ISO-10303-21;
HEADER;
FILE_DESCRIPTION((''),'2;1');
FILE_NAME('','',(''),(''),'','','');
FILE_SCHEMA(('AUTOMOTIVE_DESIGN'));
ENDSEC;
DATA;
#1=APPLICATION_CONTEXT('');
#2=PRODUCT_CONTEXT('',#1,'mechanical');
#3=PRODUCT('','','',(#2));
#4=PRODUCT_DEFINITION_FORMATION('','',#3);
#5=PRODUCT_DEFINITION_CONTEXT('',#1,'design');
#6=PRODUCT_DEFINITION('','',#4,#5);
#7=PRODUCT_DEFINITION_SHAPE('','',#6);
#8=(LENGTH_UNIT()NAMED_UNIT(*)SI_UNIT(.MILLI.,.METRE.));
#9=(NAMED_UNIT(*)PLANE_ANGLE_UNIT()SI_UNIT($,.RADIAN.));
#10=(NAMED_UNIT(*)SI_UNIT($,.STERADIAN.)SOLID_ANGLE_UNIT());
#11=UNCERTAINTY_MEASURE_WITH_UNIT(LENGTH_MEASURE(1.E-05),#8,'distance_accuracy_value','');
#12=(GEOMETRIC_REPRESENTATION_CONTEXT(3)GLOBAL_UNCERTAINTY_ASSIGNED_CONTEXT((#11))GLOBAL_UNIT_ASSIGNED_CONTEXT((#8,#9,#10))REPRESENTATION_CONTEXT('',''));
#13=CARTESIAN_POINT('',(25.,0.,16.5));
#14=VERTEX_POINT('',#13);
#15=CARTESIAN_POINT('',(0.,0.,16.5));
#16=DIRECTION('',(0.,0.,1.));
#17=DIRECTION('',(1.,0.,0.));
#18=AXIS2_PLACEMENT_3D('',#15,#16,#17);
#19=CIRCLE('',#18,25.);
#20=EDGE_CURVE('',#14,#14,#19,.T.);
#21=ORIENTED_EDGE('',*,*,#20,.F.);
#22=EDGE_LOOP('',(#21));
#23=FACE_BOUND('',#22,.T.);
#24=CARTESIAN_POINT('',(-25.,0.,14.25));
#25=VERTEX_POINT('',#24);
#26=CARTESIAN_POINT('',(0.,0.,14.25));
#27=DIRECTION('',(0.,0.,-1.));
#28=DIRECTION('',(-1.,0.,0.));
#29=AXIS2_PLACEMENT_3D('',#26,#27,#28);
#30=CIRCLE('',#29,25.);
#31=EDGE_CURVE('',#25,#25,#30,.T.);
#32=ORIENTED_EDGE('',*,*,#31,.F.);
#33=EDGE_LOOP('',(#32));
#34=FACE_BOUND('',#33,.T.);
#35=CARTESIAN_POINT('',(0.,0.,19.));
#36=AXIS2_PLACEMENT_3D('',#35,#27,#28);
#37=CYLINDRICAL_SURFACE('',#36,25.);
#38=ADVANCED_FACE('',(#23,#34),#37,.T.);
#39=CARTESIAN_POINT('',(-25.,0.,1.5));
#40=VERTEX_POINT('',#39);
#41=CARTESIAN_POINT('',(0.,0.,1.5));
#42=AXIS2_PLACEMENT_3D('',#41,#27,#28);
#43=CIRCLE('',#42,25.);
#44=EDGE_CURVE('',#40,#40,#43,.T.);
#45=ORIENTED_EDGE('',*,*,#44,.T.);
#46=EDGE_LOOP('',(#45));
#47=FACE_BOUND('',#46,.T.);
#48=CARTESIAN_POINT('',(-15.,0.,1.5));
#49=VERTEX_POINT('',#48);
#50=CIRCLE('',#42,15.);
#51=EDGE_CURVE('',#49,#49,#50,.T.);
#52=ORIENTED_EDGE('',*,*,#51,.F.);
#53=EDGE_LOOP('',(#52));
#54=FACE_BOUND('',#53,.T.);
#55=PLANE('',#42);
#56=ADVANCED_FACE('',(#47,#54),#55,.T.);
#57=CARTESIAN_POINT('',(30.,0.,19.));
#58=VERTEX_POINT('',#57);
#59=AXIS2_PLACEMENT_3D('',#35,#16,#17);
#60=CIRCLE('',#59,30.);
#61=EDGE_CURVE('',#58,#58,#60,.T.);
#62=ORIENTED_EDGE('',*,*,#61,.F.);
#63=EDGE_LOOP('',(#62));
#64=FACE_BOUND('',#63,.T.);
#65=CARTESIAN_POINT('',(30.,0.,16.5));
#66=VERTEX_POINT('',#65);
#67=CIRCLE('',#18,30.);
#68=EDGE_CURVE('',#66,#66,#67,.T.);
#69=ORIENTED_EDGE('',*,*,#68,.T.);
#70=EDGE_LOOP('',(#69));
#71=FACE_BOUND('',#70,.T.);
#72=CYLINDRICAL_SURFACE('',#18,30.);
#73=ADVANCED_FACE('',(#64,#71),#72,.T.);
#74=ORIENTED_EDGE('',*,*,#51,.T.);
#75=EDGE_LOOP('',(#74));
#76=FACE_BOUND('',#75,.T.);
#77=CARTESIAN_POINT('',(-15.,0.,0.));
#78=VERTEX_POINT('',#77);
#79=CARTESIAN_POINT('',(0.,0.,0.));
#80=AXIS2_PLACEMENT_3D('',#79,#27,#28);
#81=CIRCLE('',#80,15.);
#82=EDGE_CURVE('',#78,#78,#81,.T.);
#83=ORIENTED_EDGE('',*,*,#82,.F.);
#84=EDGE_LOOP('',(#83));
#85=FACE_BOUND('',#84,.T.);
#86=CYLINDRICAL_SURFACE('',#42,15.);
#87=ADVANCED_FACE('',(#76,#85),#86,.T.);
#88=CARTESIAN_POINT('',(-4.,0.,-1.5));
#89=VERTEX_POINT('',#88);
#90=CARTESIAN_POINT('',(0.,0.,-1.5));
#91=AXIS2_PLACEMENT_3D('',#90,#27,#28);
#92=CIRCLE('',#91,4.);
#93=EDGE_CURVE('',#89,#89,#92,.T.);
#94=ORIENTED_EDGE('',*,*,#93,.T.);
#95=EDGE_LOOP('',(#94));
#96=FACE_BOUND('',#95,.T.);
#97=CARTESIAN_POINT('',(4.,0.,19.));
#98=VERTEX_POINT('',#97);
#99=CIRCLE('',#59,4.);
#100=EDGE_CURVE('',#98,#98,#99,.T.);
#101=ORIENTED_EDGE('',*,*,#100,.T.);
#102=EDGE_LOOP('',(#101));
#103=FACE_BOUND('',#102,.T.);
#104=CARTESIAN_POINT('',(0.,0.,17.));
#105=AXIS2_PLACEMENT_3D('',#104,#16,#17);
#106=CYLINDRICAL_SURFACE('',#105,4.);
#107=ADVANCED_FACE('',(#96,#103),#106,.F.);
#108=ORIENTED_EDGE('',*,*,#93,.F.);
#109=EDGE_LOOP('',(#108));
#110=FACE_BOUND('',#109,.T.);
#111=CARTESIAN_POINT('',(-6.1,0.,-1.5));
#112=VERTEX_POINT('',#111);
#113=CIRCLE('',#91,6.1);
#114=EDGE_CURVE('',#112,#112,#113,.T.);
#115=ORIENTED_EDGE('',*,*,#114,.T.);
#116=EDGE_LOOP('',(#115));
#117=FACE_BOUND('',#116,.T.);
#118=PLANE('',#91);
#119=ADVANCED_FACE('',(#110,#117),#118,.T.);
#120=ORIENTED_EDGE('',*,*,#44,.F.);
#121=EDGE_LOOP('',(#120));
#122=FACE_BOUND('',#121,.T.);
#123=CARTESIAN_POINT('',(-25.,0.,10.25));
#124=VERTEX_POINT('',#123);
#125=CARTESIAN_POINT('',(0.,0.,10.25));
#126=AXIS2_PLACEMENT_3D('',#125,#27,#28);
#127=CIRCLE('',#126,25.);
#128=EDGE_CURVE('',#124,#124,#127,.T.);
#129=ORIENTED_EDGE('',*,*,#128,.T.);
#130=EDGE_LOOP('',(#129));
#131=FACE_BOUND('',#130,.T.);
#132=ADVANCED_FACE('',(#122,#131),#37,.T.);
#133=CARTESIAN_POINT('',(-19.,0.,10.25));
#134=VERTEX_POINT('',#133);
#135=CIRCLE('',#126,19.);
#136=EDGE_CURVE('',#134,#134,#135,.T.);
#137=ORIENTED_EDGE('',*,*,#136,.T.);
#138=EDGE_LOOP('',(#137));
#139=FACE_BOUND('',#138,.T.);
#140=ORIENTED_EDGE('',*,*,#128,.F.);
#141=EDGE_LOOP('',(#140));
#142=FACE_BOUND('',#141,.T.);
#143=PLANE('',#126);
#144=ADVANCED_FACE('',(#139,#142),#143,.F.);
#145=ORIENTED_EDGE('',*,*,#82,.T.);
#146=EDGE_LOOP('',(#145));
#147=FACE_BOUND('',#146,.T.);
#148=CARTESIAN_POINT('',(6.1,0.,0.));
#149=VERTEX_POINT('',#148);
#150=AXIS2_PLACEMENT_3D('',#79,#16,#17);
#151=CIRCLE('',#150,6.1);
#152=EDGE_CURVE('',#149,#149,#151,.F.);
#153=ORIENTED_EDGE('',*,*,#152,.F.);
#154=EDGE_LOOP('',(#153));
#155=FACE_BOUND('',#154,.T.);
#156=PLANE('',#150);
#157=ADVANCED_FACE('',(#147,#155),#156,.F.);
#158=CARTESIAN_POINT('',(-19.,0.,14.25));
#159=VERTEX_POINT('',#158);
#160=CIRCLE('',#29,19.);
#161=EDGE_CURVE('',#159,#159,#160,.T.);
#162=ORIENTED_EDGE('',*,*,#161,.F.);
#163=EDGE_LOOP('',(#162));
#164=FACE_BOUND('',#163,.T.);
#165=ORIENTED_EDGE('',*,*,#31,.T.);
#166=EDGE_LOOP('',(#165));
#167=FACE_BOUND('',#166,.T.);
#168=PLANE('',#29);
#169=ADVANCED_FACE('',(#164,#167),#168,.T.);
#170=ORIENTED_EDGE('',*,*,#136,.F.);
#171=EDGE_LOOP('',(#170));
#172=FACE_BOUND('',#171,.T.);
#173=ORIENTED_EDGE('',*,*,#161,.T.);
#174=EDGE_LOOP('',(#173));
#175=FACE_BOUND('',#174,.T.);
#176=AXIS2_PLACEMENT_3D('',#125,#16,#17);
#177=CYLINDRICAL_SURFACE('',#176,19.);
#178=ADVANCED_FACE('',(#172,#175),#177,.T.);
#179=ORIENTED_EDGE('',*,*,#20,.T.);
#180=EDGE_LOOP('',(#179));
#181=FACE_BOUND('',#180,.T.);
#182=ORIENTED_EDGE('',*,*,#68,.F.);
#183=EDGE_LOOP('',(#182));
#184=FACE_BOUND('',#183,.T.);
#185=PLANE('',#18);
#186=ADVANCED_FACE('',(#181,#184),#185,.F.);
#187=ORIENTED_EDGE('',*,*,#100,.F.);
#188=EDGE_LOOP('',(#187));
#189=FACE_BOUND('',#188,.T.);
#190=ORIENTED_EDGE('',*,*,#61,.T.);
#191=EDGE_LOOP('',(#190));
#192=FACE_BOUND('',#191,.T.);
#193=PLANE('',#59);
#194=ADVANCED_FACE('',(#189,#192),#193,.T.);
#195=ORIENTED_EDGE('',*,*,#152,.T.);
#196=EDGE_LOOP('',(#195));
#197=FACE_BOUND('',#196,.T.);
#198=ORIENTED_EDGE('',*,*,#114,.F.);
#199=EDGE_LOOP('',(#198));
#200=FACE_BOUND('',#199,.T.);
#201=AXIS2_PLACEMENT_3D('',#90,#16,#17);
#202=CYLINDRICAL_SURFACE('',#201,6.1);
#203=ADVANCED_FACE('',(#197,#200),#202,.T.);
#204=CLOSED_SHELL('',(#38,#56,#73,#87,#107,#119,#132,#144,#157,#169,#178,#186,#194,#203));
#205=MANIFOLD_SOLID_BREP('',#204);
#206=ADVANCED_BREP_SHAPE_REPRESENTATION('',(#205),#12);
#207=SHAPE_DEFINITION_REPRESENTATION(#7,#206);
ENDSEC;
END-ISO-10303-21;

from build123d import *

# Parameters (mm, degrees)
CROQUIS1_R              = 25
CROQUIS1_R_2            = 11
SALIENTE_EXTRUIR1_DEPTH = 19
CROQUIS3_R              = 11
CROQUIS3_R_2            = 9.5
SALIENTE_EXTRUIR2_DEPTH = 13
SALIENTE_EXTRUIR3_START = -2
CROQUIS4_R              = 11
CROQUIS4_R_2            = 4
SALIENTE_EXTRUIR3_DEPTH = 2
SALIENTE_EXTRUIR4_START = -2.5
CROQUIS5_R              = 30
CROQUIS5_R_2            = 25
SALIENTE_EXTRUIR4_DEPTH = 2.5
CORTAR_EXTRUIR1_START   = 4
CROQUIS6_R              = 25
CROQUIS6_R_2            = 19
CORTAR_EXTRUIR1_DEPTH   = 4
SALIENTE_EXTRUIR5_REACH = 48.487
CROQUIS7_R              = 11
CROQUIS7_R_2            = 4
SALIENTE_EXTRUIR6_START = 1.5
CROQUIS8_R              = 6.1
CROQUIS8_R_2            = 4
SALIENTE_EXTRUIR6_DEPTH = 1.5
CROQUIS9_R              = 25
CROQUIS9_R_2            = 15
CORTAR_EXTRUIR2_DEPTH   = 1.5


with BuildPart() as part:
    # Croquis1 → Saliente-Extruir1 (new body)
    with BuildSketch(Plane.XY):
        Circle(CROQUIS1_R)
        Circle(CROQUIS1_R_2, mode=Mode.SUBTRACT)
    extrude(amount=SALIENTE_EXTRUIR1_DEPTH)

    # Croquis3 → Saliente-Extruir2 (add, through all)
    with BuildSketch(Plane(origin=(0, 0, 6), x_dir=(-1, 0, 0), z_dir=(0, 0, -1))):
        Circle(CROQUIS3_R)
        Circle(CROQUIS3_R_2, mode=Mode.SUBTRACT)
    extrude(amount=-SALIENTE_EXTRUIR2_DEPTH)

    # Croquis4 → Saliente-Extruir3 (add)
    with BuildSketch(Plane.XY.offset(19).offset(SALIENTE_EXTRUIR3_START)):
        with Locations(Location((0, 0, 0), (0, 0, 180))):
            Circle(CROQUIS4_R)
        Circle(CROQUIS4_R_2, mode=Mode.SUBTRACT)
    extrude(amount=SALIENTE_EXTRUIR3_DEPTH)

    # Croquis5 → Saliente-Extruir4 (add)
    with BuildSketch(Plane.XY.offset(19).offset(SALIENTE_EXTRUIR4_START)):
        Circle(CROQUIS5_R)
        Circle(CROQUIS5_R_2, mode=Mode.SUBTRACT)
    extrude(amount=SALIENTE_EXTRUIR4_DEPTH)

    # Croquis6 → Cortar-Extruir1 (cut)
    with BuildSketch(Plane(origin=(0, 0, 14.25), x_dir=(-1, 0, 0), z_dir=(0, 0, -1)).offset(CORTAR_EXTRUIR1_START)):
        Circle(CROQUIS6_R)
        Circle(CROQUIS6_R_2, mode=Mode.SUBTRACT)
    extrude(amount=-CORTAR_EXTRUIR1_DEPTH, mode=Mode.SUBTRACT)

    # Croquis7 → Saliente-Extruir5 (add, up to next)
    with BuildSketch(Plane(origin=(0, 0, 0), x_dir=(-1, 0, 0), z_dir=(0, 0, -1)), mode=Mode.PRIVATE) as saliente_extruir5_sk1:
        Circle(CROQUIS7_R)
        with Locations(Location((0, 0, 0), (0, 0, 180))):
            Circle(CROQUIS7_R_2, mode=Mode.SUBTRACT)
    saliente_extruir5_tool1 = extrude(saliente_extruir5_sk1.sketch, amount=-SALIENTE_EXTRUIR5_REACH, mode=Mode.PRIVATE) - part.part
    add(saliente_extruir5_tool1.solids().sort_by_distance((10.688873, 0, 0))[0])

    # Croquis8 → Saliente-Extruir6 (add)
    with BuildSketch(Plane(origin=(0, 0, 0), x_dir=(-1, 0, 0), z_dir=(0, 0, -1)).offset(SALIENTE_EXTRUIR6_START)):
        with Locations(Location((0, 0, 0), (0, 0, 180))):
            Circle(CROQUIS8_R)
        with Locations(Location((0, 0, 0), (0, 0, 180))):
            Circle(CROQUIS8_R_2, mode=Mode.SUBTRACT)
    extrude(amount=-SALIENTE_EXTRUIR6_DEPTH)

    # Croquis9 → Cortar-Extruir2 (cut)
    with BuildSketch(Plane(origin=(0, 0, 0), x_dir=(-1, 0, 0), z_dir=(0, 0, -1))):
        Circle(CROQUIS9_R)
        Circle(CROQUIS9_R_2, mode=Mode.SUBTRACT)
    extrude(amount=-CORTAR_EXTRUIR2_DEPTH, mode=Mode.SUBTRACT)


solid = part.part
